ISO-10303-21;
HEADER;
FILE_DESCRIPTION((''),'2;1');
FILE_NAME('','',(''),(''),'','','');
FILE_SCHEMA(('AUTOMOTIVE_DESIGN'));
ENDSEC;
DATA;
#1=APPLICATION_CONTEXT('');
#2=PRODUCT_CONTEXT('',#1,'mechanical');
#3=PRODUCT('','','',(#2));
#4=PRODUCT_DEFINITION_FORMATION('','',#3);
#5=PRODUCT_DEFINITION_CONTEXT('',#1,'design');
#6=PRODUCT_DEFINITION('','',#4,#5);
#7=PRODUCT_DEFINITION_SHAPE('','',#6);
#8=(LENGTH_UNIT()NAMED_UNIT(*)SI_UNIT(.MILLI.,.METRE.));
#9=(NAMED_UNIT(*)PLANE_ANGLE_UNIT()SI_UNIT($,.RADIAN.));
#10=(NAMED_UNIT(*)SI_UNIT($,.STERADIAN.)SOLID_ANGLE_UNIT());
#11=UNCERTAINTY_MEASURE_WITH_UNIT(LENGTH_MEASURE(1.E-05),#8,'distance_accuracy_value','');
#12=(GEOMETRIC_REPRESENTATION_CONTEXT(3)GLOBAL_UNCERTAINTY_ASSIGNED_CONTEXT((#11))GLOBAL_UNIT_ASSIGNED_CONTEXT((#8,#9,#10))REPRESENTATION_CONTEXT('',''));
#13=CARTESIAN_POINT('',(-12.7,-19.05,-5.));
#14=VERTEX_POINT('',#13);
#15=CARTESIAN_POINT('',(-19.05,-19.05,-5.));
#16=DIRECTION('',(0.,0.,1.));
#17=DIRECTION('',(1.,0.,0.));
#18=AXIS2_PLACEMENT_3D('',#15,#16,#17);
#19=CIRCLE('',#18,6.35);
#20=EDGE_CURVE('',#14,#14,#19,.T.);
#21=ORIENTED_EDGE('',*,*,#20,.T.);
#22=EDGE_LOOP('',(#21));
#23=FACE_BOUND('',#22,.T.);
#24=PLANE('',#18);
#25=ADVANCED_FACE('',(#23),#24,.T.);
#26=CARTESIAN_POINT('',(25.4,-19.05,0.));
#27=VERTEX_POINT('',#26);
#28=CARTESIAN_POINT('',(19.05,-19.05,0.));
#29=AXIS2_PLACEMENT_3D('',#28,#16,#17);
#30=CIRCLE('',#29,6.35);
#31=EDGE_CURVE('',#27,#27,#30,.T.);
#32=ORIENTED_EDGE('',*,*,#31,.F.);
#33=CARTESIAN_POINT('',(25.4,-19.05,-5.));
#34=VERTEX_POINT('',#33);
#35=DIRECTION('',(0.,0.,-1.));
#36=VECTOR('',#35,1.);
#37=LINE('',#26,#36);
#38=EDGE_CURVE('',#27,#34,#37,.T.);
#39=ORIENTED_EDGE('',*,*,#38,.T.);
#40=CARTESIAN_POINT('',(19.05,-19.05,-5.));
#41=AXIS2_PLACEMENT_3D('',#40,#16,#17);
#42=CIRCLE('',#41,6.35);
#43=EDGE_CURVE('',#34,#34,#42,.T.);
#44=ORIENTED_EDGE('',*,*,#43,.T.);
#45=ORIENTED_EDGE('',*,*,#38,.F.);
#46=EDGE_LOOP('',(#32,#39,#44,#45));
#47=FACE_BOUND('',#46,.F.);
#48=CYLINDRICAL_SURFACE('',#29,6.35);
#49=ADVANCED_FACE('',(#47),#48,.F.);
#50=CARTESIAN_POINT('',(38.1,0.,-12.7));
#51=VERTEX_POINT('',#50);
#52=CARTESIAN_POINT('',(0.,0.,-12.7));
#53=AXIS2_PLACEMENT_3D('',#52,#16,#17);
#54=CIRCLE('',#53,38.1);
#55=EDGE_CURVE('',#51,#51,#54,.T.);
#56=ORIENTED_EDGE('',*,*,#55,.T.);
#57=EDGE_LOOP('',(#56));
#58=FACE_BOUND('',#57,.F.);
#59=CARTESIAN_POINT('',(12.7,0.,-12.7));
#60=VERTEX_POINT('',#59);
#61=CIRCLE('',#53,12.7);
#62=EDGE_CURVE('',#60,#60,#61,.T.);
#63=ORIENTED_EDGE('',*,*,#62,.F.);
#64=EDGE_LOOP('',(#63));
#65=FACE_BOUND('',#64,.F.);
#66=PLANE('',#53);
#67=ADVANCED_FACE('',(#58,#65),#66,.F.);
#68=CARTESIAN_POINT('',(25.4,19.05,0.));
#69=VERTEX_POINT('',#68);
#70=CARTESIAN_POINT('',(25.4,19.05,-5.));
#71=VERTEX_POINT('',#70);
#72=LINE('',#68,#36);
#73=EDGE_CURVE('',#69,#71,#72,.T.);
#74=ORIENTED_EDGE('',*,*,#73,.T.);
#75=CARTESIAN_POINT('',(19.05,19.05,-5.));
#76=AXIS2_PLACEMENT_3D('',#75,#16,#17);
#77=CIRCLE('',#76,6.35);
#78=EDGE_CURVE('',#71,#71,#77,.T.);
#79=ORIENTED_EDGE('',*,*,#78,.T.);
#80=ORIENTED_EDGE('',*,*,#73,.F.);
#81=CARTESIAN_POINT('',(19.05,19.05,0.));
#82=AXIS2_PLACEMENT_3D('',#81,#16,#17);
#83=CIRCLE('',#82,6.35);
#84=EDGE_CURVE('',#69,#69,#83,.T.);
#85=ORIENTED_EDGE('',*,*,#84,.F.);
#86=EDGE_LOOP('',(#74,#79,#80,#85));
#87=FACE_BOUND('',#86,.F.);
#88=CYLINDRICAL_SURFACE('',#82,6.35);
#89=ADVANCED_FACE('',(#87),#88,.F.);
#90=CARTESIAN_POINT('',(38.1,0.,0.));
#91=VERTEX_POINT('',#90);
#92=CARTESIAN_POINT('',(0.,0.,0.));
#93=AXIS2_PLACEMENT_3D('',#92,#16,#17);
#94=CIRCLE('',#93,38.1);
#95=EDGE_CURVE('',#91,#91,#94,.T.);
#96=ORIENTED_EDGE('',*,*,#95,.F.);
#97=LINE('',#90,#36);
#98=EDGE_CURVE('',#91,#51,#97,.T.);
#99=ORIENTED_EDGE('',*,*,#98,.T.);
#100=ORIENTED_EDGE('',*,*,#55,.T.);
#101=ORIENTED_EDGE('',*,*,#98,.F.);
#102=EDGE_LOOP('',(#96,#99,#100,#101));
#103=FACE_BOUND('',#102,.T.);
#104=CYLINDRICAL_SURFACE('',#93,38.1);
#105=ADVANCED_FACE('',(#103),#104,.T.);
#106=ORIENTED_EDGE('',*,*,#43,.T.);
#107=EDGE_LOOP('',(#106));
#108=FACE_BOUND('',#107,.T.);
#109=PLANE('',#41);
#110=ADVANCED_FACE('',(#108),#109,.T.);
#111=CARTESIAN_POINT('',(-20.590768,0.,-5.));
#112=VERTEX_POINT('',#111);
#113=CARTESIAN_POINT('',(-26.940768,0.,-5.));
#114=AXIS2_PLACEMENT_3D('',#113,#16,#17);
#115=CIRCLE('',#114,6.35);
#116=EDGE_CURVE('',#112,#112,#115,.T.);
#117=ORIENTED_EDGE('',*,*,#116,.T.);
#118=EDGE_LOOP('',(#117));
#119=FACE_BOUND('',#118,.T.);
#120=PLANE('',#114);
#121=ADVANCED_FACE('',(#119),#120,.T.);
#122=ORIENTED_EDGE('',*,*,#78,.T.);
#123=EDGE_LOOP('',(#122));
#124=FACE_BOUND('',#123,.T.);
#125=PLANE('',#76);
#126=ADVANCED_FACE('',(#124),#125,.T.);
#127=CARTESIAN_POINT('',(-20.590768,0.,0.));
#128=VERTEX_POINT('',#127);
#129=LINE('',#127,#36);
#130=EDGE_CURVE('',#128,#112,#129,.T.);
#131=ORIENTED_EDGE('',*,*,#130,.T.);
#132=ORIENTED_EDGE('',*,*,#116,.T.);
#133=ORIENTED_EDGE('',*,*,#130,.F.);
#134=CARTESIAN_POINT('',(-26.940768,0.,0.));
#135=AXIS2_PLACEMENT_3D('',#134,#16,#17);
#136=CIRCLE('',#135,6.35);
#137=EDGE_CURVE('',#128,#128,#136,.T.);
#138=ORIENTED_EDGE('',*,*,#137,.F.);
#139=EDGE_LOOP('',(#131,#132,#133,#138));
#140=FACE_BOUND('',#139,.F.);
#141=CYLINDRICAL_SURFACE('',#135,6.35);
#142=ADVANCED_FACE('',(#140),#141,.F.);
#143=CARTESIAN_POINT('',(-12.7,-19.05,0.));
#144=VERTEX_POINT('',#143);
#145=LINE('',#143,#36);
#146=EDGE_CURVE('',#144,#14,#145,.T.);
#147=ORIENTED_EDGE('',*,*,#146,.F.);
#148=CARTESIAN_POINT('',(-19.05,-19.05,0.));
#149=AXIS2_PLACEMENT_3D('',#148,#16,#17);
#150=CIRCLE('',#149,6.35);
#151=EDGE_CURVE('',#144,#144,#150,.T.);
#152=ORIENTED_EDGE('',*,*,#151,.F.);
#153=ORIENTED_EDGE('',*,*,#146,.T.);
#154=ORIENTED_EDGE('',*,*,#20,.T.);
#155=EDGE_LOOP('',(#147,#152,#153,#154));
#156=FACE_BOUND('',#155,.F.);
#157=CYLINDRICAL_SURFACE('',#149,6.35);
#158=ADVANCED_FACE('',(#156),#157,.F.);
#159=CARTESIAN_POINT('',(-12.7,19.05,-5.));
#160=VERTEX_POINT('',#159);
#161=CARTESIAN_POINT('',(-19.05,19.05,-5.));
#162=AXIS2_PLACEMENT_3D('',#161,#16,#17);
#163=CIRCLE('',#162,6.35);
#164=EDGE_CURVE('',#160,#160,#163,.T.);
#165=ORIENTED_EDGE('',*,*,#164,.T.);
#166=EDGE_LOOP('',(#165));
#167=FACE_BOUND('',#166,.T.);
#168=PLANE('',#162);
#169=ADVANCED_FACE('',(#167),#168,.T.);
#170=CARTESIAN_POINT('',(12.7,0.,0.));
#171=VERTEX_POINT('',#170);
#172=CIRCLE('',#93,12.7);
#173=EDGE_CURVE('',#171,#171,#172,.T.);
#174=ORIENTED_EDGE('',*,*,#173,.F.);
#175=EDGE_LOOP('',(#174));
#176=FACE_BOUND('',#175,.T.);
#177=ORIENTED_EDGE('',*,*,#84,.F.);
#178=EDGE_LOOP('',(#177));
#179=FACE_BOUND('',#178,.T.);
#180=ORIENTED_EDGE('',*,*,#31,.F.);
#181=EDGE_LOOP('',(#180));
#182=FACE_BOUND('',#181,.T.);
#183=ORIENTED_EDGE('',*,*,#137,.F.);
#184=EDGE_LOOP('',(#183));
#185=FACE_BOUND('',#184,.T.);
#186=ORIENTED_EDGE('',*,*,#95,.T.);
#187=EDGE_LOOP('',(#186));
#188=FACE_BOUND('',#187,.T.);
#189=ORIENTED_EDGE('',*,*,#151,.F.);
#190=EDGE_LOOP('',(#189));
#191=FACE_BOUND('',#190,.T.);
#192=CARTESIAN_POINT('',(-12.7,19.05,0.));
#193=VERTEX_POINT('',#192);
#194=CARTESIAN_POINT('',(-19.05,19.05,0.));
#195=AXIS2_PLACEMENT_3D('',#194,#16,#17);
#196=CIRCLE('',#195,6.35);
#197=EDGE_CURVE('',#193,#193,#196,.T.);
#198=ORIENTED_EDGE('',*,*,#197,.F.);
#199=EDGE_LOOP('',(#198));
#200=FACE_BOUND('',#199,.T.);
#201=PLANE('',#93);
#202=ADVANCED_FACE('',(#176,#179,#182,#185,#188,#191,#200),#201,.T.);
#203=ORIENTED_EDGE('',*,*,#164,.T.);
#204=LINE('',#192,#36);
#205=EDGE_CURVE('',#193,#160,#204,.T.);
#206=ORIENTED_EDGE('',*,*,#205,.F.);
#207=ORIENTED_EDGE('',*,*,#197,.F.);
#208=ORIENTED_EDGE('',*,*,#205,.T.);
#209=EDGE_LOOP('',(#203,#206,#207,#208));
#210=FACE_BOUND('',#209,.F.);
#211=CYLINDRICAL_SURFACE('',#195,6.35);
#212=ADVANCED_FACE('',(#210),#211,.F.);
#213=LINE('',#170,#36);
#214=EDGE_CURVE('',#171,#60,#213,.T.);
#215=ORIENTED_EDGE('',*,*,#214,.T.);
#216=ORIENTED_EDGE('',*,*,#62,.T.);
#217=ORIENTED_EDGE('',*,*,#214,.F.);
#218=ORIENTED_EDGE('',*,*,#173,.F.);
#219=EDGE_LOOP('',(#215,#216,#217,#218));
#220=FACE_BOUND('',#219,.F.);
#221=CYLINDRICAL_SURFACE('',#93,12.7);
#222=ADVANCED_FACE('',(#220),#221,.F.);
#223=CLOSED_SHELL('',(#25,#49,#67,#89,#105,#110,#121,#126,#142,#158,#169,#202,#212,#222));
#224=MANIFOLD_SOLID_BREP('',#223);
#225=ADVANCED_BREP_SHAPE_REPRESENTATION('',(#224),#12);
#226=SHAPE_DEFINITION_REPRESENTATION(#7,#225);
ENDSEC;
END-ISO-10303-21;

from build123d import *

# Parameters (mm, degrees)
SKETCH_R        = 38.1
PAD_DEPTH       = 12.7
SKETCH001_R     = 6.35
POCKET_DEPTH    = 5
SKETCH002_R     = 12.7
POCKET001_DEPTH = 12.701


with BuildPart() as part:
    # Sketch → Pad (new body)
    with BuildSketch(Plane.XY):
        Circle(SKETCH_R)
    extrude(amount=-PAD_DEPTH)

    # Sketch001 → Pocket (cut)
    with BuildSketch(Plane.XY):
        with Locations((-19.05, 19.05)):
            Circle(SKETCH001_R)
        with Locations((-19.05, -19.05)):
            Circle(SKETCH001_R)
        with Locations((19.05, -19.05)):
            Circle(SKETCH001_R)
        with Locations((19.05, 19.05)):
            Circle(SKETCH001_R)
        with Locations((-26.940768, 0)):
            Circle(SKETCH001_R)
    extrude(amount=-POCKET_DEPTH, mode=Mode.SUBTRACT)

    # Sketch002 → Pocket001 (cut, through all)
    with BuildSketch(Plane.XY):
        Circle(SKETCH002_R)
    extrude(amount=-POCKET001_DEPTH, mode=Mode.SUBTRACT)


solid = part.part
